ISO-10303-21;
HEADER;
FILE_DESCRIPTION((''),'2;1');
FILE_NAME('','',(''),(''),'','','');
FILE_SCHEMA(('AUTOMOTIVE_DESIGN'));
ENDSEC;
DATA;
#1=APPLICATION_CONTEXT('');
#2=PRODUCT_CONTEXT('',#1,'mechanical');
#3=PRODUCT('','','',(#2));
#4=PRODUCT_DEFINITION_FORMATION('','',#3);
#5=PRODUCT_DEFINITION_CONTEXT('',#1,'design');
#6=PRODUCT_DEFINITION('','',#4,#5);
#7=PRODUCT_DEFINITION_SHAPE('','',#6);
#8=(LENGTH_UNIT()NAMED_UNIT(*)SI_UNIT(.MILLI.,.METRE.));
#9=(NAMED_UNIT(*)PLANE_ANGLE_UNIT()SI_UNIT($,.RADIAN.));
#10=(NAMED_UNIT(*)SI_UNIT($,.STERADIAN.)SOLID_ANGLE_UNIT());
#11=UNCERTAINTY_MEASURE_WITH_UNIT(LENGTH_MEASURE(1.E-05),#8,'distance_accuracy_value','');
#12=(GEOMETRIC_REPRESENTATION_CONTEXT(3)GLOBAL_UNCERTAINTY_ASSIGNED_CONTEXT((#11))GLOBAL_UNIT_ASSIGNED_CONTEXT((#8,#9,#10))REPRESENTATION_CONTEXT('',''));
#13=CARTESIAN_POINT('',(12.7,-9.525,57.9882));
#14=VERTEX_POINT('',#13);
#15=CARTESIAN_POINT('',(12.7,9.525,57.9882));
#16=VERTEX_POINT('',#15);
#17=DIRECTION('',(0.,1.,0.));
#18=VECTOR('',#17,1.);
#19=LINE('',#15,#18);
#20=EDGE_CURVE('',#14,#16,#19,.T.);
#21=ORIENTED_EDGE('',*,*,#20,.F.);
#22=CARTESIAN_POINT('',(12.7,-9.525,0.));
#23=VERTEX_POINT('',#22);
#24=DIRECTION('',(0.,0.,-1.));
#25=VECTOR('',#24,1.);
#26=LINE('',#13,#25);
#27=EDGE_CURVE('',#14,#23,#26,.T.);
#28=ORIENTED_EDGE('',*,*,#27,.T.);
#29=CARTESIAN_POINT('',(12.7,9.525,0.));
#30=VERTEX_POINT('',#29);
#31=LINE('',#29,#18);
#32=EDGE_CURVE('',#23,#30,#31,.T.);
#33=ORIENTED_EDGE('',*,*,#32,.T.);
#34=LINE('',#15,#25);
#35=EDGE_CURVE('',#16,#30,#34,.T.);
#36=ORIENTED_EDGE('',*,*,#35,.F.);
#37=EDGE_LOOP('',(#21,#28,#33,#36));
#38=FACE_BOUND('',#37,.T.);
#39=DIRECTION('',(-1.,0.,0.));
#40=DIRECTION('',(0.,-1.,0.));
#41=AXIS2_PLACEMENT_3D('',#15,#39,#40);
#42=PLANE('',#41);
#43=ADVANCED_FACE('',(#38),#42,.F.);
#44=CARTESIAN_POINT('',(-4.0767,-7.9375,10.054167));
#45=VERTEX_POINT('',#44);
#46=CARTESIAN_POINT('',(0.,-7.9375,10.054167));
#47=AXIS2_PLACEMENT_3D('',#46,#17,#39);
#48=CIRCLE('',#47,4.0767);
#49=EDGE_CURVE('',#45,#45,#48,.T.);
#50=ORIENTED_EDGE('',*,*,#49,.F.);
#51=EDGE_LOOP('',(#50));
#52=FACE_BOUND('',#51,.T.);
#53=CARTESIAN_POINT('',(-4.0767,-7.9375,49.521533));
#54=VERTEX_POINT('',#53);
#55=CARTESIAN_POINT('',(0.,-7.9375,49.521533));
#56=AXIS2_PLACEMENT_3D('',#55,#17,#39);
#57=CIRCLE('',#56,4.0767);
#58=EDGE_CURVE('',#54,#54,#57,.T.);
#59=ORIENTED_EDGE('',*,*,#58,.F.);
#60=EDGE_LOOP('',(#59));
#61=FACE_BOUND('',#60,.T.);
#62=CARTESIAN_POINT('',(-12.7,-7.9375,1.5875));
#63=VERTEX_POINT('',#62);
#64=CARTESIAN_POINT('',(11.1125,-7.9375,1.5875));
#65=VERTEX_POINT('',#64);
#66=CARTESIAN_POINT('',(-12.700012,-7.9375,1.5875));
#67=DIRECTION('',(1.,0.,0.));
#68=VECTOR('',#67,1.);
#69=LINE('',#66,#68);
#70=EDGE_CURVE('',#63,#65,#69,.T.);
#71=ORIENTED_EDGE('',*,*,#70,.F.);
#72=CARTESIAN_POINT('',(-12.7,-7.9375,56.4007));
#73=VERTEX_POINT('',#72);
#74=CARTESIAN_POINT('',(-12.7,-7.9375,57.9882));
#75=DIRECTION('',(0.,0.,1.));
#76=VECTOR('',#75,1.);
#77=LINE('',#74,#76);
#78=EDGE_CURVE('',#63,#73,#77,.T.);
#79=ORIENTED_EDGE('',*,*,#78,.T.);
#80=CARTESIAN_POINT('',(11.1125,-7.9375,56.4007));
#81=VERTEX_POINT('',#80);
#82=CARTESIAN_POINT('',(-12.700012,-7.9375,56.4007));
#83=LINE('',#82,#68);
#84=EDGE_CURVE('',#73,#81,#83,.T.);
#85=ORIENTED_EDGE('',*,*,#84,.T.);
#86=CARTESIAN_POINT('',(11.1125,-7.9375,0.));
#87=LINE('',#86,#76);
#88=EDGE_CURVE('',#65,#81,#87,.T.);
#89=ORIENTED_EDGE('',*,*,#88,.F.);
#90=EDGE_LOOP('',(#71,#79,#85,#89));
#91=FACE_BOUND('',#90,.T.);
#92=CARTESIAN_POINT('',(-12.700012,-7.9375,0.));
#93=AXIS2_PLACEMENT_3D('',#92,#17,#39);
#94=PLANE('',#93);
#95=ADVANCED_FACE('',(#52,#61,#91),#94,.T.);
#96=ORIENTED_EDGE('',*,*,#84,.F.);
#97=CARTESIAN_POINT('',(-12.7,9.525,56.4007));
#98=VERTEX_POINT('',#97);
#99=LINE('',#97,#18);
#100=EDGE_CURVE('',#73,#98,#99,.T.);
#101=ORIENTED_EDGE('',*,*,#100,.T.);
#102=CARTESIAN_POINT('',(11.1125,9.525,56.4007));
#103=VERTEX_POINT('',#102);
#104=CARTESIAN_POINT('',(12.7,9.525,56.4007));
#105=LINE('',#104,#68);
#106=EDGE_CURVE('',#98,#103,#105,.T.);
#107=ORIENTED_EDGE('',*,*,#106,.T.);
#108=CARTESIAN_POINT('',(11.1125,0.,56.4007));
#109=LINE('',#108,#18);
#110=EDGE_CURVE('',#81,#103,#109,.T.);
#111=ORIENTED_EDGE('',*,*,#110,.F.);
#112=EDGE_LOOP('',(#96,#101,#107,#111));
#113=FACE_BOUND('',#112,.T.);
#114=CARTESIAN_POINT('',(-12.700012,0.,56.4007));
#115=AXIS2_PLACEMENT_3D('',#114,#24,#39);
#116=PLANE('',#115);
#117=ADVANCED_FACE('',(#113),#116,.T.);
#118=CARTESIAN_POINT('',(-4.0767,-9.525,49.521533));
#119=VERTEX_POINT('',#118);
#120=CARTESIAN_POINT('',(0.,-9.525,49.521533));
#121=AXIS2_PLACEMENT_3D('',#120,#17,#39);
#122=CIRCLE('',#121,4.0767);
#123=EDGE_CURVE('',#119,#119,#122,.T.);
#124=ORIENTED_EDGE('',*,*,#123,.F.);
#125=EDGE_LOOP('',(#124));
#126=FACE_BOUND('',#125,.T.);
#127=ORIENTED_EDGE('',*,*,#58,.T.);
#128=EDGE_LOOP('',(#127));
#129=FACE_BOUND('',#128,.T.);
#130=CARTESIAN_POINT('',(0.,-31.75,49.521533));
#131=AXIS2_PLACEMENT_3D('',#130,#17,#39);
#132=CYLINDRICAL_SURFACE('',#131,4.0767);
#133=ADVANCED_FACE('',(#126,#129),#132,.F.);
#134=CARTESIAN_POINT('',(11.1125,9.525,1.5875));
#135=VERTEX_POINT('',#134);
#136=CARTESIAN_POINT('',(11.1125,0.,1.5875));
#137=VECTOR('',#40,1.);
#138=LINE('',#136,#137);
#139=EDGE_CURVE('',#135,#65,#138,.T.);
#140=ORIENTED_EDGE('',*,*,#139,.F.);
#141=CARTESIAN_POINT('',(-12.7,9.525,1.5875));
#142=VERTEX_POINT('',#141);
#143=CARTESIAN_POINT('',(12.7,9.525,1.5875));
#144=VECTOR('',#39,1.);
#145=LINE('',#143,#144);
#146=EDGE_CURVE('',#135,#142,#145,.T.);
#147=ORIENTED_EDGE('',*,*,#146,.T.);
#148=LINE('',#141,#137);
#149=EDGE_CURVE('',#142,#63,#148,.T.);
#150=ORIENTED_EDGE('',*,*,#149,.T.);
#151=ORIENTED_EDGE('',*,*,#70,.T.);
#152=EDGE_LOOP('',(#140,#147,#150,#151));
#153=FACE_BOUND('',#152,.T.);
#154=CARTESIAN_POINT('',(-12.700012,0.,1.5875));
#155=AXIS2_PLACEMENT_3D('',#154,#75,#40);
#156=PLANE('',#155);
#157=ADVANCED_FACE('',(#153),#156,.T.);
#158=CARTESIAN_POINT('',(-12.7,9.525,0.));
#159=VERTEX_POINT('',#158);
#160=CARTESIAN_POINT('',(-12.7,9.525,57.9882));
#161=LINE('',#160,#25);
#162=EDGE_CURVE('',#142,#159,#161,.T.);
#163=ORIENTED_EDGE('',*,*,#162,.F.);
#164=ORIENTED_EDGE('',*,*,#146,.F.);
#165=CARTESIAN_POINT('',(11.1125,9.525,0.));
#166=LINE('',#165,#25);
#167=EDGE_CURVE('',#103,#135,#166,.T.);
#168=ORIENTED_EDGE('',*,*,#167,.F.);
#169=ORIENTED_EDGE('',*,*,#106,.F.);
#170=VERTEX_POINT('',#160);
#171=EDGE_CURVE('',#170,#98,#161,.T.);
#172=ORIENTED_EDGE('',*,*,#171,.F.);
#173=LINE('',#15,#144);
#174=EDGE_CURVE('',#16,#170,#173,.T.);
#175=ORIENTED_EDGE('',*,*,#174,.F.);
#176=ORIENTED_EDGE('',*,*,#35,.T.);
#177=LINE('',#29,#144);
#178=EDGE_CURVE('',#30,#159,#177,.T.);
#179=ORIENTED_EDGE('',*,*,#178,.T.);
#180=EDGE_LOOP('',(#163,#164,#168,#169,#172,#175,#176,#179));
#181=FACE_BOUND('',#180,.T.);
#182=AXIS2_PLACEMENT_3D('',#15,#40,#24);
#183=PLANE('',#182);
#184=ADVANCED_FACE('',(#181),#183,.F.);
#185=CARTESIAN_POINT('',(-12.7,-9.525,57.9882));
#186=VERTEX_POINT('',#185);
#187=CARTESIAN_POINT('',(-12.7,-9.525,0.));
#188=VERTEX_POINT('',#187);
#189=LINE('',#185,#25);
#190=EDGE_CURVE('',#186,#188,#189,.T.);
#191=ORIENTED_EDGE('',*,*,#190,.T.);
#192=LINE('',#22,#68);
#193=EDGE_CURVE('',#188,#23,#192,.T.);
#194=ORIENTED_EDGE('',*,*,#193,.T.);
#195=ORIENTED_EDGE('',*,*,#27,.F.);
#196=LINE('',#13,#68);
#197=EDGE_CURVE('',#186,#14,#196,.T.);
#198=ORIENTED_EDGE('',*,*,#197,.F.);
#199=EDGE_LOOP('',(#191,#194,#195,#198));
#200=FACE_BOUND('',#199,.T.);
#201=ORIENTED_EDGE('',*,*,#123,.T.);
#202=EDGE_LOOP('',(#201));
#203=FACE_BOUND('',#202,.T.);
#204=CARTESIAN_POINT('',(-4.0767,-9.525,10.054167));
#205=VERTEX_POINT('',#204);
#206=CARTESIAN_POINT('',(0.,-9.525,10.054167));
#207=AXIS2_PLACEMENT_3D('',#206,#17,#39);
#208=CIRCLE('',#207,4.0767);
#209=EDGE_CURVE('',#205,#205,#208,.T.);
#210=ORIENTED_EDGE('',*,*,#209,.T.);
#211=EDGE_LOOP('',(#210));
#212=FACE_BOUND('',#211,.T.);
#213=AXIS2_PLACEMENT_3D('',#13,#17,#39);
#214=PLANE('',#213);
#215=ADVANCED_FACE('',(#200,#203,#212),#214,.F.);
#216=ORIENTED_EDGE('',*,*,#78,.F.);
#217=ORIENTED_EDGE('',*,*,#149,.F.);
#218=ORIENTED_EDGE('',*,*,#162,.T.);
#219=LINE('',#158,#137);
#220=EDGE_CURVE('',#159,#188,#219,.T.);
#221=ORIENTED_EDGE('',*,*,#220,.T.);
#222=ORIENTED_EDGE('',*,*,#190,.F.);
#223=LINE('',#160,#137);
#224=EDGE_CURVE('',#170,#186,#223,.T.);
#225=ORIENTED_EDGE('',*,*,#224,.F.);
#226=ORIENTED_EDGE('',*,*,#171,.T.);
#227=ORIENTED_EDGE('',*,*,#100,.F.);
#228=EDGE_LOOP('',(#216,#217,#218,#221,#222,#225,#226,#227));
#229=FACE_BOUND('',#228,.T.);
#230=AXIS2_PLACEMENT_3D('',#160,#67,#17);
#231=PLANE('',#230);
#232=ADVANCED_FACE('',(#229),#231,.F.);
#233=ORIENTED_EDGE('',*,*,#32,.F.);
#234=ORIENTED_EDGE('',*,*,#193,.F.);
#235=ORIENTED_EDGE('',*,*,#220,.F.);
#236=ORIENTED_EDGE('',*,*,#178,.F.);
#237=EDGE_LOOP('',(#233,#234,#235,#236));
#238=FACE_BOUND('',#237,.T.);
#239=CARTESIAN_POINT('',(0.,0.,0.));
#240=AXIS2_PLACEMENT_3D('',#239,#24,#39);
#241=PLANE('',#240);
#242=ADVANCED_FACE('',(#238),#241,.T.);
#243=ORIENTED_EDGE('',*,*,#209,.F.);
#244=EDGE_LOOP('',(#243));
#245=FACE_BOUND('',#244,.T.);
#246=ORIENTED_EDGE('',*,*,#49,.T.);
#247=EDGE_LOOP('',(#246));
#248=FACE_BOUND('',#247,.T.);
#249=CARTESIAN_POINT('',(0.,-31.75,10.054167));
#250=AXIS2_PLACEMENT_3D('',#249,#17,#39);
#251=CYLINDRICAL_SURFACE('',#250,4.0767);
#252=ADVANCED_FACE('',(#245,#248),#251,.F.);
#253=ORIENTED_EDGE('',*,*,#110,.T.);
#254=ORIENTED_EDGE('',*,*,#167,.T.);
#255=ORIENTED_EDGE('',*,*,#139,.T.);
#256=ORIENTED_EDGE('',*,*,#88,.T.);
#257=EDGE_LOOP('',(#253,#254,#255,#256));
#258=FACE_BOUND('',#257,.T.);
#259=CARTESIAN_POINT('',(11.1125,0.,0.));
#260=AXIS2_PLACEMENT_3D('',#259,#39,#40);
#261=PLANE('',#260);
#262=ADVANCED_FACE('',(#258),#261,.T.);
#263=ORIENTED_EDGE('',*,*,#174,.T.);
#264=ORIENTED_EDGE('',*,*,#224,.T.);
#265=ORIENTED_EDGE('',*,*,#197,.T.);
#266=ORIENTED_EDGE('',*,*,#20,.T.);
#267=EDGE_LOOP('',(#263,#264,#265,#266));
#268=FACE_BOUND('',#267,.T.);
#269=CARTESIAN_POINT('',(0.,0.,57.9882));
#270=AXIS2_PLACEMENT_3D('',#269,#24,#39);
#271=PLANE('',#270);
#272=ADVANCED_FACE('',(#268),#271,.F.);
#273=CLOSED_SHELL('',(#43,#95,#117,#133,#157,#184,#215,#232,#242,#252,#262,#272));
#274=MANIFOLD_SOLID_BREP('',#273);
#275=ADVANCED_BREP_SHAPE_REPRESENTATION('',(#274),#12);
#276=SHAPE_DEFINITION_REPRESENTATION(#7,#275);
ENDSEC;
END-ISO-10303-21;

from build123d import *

# Parameters (mm, degrees)
SKETCH1_W               = 25.4
SKETCH1_H               = 19.05
BOSS_EXTRUDE2_DEPTH     = 57.9882
CUT_EXTRUDE3_DEPTH      = 65.019660763
CUT_EXTRUDE3_DEPTH_BACK = 23.8125
SKETCH4_W               = 54.8132
SKETCH4_H               = 17.4625
SKETCH5_R               = 4.0767
CUT_EXTRUDE4_DEPTH      = 23.8125


with BuildPart() as part:
    # Sketch1 → Boss-Extrude2 (new body)
    with BuildSketch(Plane.XY):
        Rectangle(SKETCH1_W, SKETCH1_H)
    extrude(amount=BOSS_EXTRUDE2_DEPTH)

    # Sketch4 → Cut-Extrude3 (cut, two sides: drawn at the far end of the back side and taken through both)
    with BuildSketch(Plane.ZY.offset(12.7).offset(-CUT_EXTRUDE3_DEPTH_BACK)):
        with Locations((28.9941, 0.79375)):
            Rectangle(SKETCH4_W, SKETCH4_H)
    extrude(amount=CUT_EXTRUDE3_DEPTH + CUT_EXTRUDE3_DEPTH_BACK, mode=Mode.SUBTRACT)

    # Sketch5 → Cut-Extrude4 (cut)
    with BuildSketch(Plane(origin=(0, -7.9375, 0), x_dir=(1, 0, 0), z_dir=(0, 1, 0))):
        with Locations(Location((0, -10.054166667, 0), (0, 0, 180))):
            Circle(SKETCH5_R)
        with Locations(Location((0, -49.521533333, 0), (0, 0, 180))):
            Circle(SKETCH5_R)
    extrude(amount=-CUT_EXTRUDE4_DEPTH, mode=Mode.SUBTRACT)


solid = part.part
